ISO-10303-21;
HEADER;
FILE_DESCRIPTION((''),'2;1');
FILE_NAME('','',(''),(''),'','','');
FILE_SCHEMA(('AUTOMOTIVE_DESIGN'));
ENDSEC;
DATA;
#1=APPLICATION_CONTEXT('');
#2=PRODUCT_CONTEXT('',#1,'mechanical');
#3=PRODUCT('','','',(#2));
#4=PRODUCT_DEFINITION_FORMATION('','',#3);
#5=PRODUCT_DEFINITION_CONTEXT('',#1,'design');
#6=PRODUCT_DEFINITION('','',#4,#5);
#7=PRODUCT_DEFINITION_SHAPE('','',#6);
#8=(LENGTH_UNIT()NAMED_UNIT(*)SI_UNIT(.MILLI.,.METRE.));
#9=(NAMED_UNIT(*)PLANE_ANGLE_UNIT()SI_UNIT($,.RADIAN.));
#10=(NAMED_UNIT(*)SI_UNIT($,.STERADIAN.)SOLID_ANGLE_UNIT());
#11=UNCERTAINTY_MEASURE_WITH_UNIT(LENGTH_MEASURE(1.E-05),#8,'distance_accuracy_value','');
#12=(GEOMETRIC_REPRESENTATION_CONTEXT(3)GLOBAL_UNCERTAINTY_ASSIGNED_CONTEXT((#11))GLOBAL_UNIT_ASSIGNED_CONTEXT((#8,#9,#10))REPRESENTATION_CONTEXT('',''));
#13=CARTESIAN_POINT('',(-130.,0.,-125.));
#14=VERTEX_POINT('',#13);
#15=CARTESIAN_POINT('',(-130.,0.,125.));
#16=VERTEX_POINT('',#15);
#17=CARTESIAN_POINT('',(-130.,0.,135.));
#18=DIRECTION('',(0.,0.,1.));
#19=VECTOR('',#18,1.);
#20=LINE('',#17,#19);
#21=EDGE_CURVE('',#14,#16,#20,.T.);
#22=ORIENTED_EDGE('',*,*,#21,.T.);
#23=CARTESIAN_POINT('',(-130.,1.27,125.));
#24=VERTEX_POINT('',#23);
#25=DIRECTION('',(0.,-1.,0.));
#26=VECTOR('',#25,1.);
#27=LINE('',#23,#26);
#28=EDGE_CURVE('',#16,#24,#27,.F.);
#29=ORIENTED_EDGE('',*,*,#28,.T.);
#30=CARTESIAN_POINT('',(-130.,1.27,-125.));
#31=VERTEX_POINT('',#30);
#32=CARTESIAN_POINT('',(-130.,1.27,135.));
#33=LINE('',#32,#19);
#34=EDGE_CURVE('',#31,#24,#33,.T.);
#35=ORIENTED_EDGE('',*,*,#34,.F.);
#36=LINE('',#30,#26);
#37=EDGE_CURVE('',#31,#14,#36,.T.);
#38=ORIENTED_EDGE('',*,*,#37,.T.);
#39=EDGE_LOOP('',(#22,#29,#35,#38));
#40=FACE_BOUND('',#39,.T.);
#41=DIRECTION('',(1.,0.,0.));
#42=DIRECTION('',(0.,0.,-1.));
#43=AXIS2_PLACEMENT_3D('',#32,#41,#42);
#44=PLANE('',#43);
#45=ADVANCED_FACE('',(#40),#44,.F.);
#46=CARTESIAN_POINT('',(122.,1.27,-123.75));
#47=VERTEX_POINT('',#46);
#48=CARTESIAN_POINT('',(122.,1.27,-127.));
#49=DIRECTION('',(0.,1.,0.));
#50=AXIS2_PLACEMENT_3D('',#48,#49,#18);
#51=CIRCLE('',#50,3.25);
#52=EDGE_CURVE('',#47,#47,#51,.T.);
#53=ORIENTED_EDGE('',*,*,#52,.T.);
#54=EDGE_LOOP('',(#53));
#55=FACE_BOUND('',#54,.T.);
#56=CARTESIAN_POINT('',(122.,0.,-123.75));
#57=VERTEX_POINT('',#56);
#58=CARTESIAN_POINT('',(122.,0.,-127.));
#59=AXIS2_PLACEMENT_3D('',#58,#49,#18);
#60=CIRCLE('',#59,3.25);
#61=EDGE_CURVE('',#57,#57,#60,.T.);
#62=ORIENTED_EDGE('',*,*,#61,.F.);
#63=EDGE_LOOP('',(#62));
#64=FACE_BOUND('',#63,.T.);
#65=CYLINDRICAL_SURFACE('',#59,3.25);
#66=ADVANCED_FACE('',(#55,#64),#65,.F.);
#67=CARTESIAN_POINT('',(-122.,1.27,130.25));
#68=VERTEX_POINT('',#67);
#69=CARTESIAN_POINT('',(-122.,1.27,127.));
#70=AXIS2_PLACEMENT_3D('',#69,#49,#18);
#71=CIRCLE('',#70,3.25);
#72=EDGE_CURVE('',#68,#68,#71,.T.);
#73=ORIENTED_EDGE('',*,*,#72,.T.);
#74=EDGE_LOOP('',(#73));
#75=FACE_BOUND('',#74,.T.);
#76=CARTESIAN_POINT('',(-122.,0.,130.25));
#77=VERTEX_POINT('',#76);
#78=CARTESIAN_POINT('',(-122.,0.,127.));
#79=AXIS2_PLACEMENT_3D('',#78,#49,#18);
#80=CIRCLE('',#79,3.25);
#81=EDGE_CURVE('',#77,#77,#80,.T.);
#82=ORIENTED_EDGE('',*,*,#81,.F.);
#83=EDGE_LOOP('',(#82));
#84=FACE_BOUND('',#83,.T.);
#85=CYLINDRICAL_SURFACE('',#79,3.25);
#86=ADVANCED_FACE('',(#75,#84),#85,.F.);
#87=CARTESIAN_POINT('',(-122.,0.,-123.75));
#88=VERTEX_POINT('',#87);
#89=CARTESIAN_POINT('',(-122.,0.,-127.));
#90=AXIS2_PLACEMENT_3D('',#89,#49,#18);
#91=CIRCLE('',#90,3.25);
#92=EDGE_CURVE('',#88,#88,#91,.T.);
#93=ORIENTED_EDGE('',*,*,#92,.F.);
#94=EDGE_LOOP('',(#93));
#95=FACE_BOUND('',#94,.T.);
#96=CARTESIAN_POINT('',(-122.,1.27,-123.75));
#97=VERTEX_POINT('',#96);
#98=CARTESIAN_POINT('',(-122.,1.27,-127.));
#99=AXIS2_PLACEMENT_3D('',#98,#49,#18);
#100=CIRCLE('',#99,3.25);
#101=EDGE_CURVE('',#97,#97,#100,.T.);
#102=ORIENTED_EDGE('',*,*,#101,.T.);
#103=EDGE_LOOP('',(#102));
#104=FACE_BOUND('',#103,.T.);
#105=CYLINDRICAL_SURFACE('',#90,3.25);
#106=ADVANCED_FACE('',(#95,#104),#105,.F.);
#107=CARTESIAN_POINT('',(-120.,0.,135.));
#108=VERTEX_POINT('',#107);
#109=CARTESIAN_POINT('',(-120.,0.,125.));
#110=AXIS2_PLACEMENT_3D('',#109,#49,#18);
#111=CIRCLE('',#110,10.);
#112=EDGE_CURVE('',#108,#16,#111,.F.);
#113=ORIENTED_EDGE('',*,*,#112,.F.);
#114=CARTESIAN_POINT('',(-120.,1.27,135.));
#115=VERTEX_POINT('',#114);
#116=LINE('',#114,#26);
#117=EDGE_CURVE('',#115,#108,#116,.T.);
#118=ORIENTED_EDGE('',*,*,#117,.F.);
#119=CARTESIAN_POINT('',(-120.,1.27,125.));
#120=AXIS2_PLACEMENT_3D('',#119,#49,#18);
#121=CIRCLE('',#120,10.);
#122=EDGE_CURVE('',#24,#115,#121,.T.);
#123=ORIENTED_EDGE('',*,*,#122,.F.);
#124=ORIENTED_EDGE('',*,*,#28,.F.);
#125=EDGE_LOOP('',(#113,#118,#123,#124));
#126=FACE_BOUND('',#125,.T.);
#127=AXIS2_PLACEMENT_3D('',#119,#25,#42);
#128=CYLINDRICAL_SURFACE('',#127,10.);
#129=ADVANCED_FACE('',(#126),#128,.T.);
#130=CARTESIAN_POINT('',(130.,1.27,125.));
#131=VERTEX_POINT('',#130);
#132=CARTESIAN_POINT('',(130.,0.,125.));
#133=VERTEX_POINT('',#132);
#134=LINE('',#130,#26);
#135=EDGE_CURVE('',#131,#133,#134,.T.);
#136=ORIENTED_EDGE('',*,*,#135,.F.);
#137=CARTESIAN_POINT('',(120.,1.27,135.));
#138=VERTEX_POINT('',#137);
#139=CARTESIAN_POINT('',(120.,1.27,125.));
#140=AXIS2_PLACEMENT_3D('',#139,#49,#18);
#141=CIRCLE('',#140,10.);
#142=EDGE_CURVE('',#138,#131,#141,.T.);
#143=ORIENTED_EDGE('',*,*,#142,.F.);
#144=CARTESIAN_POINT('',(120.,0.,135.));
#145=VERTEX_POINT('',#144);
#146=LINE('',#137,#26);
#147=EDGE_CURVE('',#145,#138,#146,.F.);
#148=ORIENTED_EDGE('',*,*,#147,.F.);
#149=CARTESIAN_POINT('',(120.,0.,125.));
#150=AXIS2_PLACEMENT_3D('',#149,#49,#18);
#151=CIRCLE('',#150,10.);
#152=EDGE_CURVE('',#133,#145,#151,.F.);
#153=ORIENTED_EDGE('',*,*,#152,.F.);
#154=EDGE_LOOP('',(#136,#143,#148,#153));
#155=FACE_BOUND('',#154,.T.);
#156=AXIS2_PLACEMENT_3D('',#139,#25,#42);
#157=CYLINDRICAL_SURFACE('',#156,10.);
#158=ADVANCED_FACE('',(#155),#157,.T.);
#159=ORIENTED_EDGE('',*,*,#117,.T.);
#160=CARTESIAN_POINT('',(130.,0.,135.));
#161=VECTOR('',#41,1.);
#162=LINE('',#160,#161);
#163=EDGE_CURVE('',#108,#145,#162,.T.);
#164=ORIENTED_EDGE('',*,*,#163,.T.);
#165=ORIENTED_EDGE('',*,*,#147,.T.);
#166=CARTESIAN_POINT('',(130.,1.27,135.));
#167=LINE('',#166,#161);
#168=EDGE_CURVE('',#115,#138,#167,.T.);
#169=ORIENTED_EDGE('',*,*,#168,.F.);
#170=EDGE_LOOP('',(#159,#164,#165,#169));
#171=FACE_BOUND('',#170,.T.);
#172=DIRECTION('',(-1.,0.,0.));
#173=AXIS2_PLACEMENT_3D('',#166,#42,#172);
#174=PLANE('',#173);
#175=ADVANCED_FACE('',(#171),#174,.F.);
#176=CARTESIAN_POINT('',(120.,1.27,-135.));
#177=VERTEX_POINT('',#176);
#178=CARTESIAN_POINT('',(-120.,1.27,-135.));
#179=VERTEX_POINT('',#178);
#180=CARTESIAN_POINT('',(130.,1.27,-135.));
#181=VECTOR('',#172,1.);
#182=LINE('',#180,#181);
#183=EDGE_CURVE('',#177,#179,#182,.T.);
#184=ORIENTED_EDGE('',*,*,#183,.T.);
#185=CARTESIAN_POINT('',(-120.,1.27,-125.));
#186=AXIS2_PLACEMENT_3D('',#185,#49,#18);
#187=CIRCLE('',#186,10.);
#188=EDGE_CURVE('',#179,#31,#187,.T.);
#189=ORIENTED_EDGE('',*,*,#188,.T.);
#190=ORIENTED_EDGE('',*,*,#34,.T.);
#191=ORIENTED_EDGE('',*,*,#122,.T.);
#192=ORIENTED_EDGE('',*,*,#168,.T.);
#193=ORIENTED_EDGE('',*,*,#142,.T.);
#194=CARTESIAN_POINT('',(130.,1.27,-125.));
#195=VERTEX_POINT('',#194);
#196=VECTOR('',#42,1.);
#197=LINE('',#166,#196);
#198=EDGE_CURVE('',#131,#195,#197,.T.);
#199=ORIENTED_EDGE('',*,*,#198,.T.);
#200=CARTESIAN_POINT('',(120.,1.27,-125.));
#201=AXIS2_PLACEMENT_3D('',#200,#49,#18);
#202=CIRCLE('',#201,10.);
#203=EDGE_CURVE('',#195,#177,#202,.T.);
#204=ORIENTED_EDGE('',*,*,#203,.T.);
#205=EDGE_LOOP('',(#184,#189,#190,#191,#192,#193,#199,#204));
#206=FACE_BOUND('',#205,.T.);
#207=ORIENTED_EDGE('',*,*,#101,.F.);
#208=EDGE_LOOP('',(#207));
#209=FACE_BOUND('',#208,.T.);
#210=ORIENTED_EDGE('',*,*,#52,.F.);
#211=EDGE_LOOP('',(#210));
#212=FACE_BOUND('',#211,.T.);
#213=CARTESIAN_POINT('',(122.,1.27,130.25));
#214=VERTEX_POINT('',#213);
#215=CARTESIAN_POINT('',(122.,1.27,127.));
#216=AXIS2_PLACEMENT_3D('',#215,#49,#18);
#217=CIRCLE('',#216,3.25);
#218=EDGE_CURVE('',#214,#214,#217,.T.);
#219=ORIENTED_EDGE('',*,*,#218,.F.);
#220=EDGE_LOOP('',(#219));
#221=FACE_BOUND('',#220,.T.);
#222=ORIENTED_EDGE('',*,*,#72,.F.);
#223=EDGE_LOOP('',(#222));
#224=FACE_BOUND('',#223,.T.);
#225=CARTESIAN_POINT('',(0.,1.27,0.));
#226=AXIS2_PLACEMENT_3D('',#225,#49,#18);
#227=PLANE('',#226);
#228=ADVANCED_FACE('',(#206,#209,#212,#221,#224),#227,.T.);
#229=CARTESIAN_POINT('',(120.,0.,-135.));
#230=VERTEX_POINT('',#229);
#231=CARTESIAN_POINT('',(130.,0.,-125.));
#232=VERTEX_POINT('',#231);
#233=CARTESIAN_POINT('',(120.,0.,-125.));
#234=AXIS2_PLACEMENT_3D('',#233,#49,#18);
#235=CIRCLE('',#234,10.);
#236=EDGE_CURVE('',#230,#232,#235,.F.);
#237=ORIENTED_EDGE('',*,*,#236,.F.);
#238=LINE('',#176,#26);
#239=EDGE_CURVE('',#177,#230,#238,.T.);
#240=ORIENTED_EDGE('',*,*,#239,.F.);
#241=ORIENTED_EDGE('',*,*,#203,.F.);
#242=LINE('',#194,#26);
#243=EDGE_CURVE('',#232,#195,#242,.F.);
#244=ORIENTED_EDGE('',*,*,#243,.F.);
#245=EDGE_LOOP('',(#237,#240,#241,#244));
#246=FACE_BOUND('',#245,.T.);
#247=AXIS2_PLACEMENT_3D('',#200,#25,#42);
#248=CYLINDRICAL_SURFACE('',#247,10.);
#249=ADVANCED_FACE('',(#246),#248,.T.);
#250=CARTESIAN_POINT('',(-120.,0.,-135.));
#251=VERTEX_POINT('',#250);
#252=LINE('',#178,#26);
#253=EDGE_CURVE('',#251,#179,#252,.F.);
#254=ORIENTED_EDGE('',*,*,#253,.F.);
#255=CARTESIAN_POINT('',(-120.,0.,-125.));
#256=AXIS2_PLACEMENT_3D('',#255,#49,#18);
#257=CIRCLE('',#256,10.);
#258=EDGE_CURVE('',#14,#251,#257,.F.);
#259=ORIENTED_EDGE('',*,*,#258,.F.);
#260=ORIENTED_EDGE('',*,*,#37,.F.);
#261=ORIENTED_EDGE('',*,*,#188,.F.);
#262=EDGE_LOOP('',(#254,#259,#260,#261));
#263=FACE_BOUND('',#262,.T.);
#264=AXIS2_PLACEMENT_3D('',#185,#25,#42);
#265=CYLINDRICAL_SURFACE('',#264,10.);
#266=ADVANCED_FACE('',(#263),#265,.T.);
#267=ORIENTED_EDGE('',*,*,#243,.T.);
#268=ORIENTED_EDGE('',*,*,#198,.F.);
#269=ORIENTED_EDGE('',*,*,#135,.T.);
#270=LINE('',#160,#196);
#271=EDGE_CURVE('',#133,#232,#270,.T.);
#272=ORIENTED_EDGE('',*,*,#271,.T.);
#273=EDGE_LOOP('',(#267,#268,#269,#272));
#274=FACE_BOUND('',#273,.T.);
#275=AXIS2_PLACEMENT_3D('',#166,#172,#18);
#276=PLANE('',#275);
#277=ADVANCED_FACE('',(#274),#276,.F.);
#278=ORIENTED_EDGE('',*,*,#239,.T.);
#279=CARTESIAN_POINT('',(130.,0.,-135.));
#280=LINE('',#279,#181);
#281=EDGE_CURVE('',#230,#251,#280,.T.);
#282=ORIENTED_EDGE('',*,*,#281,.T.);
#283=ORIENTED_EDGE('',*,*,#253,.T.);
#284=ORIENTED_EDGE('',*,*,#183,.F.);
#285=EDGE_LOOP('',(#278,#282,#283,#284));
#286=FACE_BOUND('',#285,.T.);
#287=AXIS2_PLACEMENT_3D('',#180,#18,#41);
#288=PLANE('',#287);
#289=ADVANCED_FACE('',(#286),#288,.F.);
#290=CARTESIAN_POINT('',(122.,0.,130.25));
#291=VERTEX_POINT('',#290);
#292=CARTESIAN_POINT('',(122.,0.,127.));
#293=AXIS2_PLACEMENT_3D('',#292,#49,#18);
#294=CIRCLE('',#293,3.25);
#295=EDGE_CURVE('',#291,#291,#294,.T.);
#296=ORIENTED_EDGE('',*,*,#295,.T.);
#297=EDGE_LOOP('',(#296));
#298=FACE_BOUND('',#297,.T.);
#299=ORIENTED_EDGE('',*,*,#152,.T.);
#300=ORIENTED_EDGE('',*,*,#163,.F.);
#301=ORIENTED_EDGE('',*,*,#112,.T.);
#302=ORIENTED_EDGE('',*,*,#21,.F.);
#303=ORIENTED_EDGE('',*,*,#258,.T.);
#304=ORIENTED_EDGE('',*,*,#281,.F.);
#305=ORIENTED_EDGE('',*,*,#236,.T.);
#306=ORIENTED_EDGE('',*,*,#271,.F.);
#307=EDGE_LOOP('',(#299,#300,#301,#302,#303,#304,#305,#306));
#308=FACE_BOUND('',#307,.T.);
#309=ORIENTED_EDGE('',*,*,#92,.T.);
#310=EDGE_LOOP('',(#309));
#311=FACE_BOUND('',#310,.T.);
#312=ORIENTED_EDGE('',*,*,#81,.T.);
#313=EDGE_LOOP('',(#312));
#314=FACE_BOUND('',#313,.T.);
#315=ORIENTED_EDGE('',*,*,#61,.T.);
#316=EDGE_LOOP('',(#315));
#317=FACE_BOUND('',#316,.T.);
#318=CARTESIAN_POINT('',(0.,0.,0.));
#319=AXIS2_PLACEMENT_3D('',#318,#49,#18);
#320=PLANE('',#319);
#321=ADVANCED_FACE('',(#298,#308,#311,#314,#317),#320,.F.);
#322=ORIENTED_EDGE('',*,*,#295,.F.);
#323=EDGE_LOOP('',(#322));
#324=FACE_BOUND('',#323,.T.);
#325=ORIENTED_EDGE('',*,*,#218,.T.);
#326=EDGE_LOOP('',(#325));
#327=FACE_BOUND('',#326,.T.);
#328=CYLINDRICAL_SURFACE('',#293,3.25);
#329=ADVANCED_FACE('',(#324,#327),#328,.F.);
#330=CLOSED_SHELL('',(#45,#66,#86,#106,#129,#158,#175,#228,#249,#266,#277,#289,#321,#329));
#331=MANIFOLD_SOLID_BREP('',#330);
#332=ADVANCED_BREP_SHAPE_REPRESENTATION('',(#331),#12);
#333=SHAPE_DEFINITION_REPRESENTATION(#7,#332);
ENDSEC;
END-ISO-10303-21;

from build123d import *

# Parameters (mm, degrees)
SKETCH1_W           = 260
SKETCH1_H           = 270
BOSS_EXTRUDE1_DEPTH = 1.27
SKETCH2_R           = 3.25
CUT_EXTRUDE1_DEPTH  = 188.42095107
FILLET1_R           = 10


with BuildPart() as part:
    # Sketch1 → Boss-Extrude1 (new body)
    with BuildSketch(Plane(origin=(0, 0, 0), x_dir=(1, 0, 0), z_dir=(0, 1, 0))):
        Rectangle(SKETCH1_W, SKETCH1_H)
    extrude(amount=BOSS_EXTRUDE1_DEPTH)

    # Sketch2 → Cut-Extrude1 (cut, through all)
    with BuildSketch(Plane(origin=(0, 1.27, 0), x_dir=(1, 0, 0), z_dir=(0, 1, 0))):
        with Locations(Location((-122, 127, 0), (0, 0, 270))):
            Circle(SKETCH2_R)
        with Locations(Location((122, 127, 0), (0, 0, 270))):
            Circle(SKETCH2_R)
        with Locations(Location((122, -127, 0), (0, 0, 270))):
            Circle(SKETCH2_R)
        with Locations(Location((-122, -127, 0), (0, 0, 270))):
            Circle(SKETCH2_R)
    extrude(amount=-CUT_EXTRUDE1_DEPTH, mode=Mode.SUBTRACT)

    # Fillet1
    fillet1_edges = [part.edges().sort_by_distance(p)[0] for p in [
        (-130, 0.635, -135),
        (130, 0.635, -135),
        (130, 0.635, 135),
        (-130, 0.635, 135),
    ]]
    fillet(fillet1_edges, radius=FILLET1_R)


solid = part.part
